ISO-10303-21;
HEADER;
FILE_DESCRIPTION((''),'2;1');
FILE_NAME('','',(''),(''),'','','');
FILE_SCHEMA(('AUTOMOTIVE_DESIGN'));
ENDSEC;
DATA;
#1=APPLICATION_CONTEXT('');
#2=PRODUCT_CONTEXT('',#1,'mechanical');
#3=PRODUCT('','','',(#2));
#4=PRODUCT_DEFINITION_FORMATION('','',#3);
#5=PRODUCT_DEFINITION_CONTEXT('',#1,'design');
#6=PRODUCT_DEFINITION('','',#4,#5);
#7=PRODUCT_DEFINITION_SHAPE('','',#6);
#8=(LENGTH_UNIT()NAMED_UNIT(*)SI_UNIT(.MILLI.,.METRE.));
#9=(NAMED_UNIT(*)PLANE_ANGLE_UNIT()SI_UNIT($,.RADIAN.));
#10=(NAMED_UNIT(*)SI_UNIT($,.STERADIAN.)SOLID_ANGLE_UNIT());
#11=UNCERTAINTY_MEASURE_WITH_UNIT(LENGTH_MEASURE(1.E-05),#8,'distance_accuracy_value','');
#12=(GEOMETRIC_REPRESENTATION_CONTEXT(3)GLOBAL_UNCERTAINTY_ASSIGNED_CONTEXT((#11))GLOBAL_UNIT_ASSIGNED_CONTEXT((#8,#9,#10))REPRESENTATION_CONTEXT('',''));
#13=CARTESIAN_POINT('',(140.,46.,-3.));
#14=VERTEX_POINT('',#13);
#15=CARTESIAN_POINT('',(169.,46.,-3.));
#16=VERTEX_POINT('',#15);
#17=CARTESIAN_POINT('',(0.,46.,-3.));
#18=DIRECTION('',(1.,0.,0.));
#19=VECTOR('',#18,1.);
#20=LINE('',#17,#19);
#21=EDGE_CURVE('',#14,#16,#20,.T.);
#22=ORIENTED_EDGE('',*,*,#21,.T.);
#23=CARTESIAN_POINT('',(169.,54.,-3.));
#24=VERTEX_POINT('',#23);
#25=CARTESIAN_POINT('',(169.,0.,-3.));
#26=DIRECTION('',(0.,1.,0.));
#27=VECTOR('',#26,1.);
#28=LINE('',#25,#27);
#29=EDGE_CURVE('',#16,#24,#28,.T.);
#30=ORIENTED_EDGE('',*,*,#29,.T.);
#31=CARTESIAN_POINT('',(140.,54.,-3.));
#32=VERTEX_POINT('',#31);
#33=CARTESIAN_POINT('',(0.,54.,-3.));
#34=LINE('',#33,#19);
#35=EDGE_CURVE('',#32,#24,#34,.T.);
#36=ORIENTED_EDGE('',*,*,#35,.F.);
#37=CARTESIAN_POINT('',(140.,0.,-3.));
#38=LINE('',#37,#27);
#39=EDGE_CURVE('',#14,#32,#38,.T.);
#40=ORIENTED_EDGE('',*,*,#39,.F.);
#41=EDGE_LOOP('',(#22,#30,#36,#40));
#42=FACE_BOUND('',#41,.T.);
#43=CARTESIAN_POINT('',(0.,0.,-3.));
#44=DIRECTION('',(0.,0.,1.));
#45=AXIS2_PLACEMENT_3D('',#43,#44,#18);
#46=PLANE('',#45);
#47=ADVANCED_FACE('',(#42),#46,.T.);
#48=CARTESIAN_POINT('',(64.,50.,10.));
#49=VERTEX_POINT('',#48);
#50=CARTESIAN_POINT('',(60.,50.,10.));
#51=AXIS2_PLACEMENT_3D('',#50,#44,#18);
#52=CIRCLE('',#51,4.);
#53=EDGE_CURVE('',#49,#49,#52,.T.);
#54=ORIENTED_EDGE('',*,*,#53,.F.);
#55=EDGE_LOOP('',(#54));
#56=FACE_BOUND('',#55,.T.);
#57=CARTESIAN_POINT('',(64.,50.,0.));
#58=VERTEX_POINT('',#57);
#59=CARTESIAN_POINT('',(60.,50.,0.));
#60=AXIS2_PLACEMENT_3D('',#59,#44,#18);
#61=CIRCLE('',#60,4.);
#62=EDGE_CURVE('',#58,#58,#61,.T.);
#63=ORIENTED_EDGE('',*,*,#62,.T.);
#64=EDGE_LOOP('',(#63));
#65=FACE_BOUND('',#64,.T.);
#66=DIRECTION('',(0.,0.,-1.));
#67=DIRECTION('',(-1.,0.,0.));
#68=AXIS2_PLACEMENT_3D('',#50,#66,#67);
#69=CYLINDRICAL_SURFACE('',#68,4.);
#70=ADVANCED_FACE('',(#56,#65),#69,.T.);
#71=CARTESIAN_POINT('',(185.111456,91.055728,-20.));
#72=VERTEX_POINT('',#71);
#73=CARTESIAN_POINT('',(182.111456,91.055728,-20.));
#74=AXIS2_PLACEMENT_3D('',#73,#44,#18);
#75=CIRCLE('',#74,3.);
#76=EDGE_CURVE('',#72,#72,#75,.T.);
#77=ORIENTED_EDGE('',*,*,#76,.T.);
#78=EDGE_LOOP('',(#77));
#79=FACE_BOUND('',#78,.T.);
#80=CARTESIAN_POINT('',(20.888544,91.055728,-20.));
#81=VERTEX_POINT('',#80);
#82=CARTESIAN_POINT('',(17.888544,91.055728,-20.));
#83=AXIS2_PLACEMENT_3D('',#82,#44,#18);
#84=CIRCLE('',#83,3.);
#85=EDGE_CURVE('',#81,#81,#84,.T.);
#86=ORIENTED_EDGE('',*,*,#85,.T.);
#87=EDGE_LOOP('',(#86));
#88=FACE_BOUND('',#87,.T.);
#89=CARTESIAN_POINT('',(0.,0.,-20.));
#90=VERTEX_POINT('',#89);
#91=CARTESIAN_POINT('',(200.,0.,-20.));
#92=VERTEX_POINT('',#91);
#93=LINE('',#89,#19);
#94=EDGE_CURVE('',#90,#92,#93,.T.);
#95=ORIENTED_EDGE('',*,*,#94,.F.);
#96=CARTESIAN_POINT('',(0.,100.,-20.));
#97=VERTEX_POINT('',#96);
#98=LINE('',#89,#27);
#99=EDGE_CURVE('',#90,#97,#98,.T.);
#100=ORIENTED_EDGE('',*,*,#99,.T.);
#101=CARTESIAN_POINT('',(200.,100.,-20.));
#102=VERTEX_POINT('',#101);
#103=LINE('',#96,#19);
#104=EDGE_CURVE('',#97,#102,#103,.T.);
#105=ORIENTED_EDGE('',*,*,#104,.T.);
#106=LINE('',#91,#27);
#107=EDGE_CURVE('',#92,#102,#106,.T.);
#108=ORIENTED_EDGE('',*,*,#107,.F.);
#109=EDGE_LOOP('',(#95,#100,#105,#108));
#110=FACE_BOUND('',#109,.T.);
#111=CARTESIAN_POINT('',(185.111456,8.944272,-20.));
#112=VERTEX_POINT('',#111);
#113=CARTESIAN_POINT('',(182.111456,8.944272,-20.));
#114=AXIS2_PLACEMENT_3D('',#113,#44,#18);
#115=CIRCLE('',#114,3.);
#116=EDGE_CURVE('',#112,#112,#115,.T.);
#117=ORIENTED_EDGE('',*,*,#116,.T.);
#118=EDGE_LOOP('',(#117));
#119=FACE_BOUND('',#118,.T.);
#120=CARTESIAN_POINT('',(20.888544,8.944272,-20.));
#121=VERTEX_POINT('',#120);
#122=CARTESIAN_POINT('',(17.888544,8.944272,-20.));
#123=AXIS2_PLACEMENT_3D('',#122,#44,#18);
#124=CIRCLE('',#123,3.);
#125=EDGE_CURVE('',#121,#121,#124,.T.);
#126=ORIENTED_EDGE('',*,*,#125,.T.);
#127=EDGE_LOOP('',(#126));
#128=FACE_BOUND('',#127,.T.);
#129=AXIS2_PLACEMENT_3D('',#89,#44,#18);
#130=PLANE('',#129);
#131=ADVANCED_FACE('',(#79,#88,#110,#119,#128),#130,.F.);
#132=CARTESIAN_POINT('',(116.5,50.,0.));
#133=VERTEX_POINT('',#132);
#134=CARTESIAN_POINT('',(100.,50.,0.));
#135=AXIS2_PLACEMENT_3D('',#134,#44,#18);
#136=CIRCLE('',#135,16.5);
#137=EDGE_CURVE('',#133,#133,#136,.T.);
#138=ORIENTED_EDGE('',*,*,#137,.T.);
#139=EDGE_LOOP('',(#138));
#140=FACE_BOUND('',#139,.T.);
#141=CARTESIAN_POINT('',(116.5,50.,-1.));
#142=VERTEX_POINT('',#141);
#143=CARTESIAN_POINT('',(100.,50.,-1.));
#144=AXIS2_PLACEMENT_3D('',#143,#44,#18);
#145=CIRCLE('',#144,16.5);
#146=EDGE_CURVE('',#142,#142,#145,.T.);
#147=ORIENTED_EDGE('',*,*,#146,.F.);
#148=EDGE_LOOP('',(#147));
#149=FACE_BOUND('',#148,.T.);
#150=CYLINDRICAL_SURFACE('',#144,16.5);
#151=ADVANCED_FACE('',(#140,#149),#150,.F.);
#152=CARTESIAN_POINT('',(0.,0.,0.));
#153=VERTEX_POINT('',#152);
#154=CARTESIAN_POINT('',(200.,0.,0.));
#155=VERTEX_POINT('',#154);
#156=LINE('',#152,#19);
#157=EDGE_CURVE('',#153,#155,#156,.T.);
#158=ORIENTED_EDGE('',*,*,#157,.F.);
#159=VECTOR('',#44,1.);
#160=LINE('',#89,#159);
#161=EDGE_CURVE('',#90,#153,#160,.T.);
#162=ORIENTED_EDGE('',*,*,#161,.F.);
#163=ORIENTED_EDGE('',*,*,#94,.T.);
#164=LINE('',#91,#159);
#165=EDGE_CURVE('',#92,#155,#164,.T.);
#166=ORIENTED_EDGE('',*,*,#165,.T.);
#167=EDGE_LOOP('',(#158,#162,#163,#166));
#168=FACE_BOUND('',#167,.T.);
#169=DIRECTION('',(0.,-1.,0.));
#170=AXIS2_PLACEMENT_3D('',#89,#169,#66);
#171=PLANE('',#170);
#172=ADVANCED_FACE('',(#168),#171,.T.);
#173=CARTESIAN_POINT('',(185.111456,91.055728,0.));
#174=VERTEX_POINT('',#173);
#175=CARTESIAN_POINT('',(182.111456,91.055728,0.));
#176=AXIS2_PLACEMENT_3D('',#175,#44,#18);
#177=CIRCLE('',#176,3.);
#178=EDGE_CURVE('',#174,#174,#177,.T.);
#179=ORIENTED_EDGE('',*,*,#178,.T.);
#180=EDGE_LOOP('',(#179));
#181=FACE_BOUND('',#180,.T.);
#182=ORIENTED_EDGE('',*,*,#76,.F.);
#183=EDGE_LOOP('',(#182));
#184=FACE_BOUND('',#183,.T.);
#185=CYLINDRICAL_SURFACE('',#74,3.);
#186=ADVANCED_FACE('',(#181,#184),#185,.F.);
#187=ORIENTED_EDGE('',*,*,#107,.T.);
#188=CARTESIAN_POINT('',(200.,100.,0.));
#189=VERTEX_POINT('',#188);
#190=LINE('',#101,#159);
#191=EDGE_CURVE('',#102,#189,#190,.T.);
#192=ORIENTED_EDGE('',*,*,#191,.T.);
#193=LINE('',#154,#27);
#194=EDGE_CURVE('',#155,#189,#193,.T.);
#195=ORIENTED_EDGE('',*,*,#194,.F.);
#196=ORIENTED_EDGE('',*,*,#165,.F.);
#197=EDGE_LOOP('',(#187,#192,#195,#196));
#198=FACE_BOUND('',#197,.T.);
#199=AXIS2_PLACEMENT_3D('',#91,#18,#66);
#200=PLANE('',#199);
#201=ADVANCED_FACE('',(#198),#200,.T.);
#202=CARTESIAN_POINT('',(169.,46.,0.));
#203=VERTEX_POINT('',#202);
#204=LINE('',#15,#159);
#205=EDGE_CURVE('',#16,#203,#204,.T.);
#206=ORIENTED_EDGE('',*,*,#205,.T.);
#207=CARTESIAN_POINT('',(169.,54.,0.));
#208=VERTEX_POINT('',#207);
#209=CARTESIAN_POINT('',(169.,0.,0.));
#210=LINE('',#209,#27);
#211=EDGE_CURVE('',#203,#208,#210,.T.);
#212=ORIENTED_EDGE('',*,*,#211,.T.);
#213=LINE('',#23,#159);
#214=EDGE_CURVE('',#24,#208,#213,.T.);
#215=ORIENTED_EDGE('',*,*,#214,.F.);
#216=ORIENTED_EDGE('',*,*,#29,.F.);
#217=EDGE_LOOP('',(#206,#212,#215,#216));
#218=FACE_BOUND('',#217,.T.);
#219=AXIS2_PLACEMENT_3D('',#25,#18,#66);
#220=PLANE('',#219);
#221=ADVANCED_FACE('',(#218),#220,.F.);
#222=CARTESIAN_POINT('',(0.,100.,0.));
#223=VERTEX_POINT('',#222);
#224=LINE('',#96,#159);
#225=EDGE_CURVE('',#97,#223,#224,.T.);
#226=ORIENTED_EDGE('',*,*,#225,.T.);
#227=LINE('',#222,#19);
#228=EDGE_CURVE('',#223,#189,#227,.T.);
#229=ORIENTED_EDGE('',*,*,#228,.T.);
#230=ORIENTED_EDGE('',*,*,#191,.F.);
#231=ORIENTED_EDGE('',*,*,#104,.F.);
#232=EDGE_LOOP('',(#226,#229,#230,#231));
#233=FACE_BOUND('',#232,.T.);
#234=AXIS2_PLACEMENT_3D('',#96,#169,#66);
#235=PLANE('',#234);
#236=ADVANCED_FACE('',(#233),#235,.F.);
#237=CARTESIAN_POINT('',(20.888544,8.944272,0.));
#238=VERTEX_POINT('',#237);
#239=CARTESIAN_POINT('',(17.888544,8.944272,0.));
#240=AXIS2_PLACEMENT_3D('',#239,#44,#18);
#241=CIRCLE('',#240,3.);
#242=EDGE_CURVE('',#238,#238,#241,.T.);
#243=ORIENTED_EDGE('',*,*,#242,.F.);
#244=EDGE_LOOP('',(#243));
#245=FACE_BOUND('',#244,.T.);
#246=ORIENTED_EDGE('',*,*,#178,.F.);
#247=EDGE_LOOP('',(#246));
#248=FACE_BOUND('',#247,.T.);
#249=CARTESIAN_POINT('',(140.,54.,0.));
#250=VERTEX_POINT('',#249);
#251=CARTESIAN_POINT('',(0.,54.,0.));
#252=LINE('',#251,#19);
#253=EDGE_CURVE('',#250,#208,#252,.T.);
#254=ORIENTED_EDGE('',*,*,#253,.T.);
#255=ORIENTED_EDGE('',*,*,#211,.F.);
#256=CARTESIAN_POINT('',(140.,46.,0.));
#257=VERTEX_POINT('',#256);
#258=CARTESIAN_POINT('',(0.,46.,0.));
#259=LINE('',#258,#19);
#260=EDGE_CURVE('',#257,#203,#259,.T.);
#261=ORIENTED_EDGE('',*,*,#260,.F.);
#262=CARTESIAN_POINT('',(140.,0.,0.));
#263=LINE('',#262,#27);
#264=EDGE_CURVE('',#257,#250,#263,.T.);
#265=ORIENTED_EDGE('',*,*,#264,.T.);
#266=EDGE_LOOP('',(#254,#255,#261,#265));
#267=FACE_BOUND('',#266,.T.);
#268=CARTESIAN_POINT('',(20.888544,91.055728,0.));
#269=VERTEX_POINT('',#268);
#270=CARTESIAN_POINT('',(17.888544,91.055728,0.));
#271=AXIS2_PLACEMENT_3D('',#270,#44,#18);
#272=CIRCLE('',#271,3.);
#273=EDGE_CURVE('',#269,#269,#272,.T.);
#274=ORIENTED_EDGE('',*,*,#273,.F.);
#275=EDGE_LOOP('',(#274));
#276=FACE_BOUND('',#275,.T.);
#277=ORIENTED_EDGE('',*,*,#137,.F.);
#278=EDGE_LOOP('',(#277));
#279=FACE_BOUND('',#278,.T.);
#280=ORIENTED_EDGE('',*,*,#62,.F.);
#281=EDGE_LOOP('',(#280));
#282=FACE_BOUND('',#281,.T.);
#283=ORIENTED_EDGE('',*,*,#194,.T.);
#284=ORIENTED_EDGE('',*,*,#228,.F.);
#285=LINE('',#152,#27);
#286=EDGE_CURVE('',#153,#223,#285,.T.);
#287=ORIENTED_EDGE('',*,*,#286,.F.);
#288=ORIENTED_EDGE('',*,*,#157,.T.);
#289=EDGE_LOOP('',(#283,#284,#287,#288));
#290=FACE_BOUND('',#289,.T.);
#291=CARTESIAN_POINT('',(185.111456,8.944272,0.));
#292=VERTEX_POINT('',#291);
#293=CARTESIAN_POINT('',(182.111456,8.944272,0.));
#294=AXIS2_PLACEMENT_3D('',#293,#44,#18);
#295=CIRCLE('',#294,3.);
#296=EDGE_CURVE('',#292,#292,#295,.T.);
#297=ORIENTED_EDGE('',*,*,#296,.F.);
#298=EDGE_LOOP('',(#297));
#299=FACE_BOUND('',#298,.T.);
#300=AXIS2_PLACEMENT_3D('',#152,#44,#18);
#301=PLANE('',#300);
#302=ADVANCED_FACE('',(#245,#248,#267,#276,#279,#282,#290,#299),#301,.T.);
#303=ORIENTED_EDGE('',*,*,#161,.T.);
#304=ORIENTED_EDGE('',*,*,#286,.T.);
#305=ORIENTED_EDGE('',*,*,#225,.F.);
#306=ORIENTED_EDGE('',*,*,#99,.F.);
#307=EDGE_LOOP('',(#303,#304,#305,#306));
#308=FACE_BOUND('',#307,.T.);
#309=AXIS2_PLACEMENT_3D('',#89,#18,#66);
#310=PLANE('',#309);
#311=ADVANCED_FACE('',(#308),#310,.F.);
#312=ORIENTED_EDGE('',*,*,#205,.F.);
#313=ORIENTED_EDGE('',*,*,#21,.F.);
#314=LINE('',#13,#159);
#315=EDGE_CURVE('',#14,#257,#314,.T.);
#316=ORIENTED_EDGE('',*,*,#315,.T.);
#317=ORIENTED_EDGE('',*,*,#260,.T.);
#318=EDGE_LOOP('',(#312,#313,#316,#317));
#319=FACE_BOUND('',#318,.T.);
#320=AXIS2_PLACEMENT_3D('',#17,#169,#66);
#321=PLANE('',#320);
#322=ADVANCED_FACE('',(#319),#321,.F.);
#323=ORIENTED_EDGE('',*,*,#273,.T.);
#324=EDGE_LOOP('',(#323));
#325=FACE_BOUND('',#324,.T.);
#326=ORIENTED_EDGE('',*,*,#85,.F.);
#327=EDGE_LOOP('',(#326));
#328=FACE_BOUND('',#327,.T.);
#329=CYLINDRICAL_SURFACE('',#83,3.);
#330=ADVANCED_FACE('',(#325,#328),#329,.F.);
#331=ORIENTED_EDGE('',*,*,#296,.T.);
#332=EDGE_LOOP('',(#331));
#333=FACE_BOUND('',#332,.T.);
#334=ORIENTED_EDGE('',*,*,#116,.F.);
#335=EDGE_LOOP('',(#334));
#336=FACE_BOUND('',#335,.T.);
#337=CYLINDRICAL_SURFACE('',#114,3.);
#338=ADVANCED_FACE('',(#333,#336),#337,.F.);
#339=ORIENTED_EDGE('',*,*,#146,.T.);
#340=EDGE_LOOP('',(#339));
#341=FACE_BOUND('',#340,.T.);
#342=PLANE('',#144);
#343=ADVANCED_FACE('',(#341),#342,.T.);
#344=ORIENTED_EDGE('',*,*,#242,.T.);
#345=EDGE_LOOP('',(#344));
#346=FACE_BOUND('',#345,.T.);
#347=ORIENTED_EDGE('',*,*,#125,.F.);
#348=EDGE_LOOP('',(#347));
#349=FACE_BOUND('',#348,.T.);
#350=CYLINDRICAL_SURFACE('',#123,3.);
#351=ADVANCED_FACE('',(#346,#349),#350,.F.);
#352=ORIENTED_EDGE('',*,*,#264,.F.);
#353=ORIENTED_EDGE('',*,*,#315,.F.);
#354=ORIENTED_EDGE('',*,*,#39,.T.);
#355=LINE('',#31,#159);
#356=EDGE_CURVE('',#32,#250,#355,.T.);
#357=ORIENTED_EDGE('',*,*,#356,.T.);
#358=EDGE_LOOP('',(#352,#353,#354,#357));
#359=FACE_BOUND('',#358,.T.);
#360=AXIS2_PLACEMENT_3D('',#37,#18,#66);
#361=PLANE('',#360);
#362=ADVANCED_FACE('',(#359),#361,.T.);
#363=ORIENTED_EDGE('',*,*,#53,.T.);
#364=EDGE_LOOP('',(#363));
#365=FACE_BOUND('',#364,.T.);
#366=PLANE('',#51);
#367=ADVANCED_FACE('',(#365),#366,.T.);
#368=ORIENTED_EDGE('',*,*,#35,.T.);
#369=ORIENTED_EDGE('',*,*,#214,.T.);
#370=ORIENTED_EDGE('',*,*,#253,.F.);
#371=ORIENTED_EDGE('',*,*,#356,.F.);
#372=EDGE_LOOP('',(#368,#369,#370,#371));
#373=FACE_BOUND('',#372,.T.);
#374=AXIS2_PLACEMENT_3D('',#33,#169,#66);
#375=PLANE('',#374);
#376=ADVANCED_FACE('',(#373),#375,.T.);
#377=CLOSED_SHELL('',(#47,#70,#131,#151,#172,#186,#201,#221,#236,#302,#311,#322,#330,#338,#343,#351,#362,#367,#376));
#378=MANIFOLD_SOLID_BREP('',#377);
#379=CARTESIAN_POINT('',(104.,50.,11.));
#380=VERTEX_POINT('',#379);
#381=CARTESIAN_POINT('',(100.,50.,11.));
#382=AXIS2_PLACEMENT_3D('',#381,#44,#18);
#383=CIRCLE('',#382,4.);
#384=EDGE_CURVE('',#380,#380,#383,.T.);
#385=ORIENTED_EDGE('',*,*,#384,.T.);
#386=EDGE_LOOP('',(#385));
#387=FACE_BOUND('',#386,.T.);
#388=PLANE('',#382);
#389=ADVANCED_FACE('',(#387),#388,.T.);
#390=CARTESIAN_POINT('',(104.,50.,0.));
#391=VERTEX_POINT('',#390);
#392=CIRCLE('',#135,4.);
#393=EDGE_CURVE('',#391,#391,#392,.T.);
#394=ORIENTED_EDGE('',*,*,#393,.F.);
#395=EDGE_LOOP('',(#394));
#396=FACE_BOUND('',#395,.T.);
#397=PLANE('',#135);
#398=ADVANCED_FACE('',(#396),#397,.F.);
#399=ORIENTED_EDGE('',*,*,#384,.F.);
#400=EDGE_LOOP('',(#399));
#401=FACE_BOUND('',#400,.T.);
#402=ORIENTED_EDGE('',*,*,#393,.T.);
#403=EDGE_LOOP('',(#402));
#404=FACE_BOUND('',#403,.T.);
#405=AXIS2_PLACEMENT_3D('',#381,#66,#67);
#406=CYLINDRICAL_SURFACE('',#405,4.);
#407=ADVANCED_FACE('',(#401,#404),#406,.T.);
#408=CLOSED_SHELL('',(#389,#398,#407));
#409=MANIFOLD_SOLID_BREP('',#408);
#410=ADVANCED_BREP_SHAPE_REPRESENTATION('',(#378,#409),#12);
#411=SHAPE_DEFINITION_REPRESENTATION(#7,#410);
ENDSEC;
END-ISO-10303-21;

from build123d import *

# Parameters (mm, degrees)
SKETCH_1_W          = 200
SKETCH_1_H          = 100
EXTRUDE_1_DEPTH     = 20
SKETCH_2_R          = 16.5
CUT_EXTRUDE_1_DEPTH = 1
CUT_EXTRUDE_2_DEPTH = 3
SKETCH_4_R          = 3
CUT_EXTRUDE_4_DEPTH = 20
SKETCH_5_R          = 3
CUT_EXTRUDE_5_DEPTH = 20
SKETCH_6_R          = 4
EXTRUDE_3_DEPTH     = 11
SKETCH_7_R          = 4
EXTRUDE_4_DEPTH     = 10


with BuildPart() as part:
    # 草图1 → 凸台-拉伸1 (new body)
    with BuildSketch(Plane.XY):
        with Locations((100, 50)):
            Rectangle(SKETCH_1_W, SKETCH_1_H)
    extrude(amount=-EXTRUDE_1_DEPTH)

    # 草图2 → 切除-拉伸1 (cut)
    with BuildSketch(Plane.XY):
        with Locations((100, 50)):
            Circle(SKETCH_2_R)
    extrude(amount=-CUT_EXTRUDE_1_DEPTH, mode=Mode.SUBTRACT)

    # 草图3 → 切除-拉伸2 (cut)
    with BuildSketch(Plane.XY):
        Polygon((140, 54), (140, 50), (140, 46), (169, 46), (169, 54), align=None)
    extrude(amount=-CUT_EXTRUDE_2_DEPTH, mode=Mode.SUBTRACT)

    # 草图4 → 切除-拉伸4 (cut)
    with BuildSketch(Plane.XY):
        with Locations((17.88854382, 91.05572809)):
            Circle(SKETCH_4_R)
        with Locations((182.11145618, 91.05572809)):
            Circle(SKETCH_4_R)
    extrude(amount=-CUT_EXTRUDE_4_DEPTH, mode=Mode.SUBTRACT)

    # 草图5 → 切除-拉伸5 (cut)
    with BuildSketch(Plane.XY):
        with Locations((17.88854382, 8.94427191)):
            Circle(SKETCH_5_R)
        with Locations((182.11145618, 8.94427191)):
            Circle(SKETCH_5_R)
    extrude(amount=-CUT_EXTRUDE_5_DEPTH, mode=Mode.SUBTRACT)

    # 草图7 → 凸台-拉伸4 (add)
    with BuildSketch(Plane.XY):
        with Locations((60, 50)):
            Circle(SKETCH_7_R)
    extrude(amount=EXTRUDE_4_DEPTH)


with BuildPart() as body_2:
    # 草图6 → 凸台-拉伸3 (new body)
    with BuildSketch(Plane.XY):
        with Locations((100, 50)):
            Circle(SKETCH_6_R)
    extrude(amount=EXTRUDE_3_DEPTH)


solid = Compound([part.part, body_2.part])
